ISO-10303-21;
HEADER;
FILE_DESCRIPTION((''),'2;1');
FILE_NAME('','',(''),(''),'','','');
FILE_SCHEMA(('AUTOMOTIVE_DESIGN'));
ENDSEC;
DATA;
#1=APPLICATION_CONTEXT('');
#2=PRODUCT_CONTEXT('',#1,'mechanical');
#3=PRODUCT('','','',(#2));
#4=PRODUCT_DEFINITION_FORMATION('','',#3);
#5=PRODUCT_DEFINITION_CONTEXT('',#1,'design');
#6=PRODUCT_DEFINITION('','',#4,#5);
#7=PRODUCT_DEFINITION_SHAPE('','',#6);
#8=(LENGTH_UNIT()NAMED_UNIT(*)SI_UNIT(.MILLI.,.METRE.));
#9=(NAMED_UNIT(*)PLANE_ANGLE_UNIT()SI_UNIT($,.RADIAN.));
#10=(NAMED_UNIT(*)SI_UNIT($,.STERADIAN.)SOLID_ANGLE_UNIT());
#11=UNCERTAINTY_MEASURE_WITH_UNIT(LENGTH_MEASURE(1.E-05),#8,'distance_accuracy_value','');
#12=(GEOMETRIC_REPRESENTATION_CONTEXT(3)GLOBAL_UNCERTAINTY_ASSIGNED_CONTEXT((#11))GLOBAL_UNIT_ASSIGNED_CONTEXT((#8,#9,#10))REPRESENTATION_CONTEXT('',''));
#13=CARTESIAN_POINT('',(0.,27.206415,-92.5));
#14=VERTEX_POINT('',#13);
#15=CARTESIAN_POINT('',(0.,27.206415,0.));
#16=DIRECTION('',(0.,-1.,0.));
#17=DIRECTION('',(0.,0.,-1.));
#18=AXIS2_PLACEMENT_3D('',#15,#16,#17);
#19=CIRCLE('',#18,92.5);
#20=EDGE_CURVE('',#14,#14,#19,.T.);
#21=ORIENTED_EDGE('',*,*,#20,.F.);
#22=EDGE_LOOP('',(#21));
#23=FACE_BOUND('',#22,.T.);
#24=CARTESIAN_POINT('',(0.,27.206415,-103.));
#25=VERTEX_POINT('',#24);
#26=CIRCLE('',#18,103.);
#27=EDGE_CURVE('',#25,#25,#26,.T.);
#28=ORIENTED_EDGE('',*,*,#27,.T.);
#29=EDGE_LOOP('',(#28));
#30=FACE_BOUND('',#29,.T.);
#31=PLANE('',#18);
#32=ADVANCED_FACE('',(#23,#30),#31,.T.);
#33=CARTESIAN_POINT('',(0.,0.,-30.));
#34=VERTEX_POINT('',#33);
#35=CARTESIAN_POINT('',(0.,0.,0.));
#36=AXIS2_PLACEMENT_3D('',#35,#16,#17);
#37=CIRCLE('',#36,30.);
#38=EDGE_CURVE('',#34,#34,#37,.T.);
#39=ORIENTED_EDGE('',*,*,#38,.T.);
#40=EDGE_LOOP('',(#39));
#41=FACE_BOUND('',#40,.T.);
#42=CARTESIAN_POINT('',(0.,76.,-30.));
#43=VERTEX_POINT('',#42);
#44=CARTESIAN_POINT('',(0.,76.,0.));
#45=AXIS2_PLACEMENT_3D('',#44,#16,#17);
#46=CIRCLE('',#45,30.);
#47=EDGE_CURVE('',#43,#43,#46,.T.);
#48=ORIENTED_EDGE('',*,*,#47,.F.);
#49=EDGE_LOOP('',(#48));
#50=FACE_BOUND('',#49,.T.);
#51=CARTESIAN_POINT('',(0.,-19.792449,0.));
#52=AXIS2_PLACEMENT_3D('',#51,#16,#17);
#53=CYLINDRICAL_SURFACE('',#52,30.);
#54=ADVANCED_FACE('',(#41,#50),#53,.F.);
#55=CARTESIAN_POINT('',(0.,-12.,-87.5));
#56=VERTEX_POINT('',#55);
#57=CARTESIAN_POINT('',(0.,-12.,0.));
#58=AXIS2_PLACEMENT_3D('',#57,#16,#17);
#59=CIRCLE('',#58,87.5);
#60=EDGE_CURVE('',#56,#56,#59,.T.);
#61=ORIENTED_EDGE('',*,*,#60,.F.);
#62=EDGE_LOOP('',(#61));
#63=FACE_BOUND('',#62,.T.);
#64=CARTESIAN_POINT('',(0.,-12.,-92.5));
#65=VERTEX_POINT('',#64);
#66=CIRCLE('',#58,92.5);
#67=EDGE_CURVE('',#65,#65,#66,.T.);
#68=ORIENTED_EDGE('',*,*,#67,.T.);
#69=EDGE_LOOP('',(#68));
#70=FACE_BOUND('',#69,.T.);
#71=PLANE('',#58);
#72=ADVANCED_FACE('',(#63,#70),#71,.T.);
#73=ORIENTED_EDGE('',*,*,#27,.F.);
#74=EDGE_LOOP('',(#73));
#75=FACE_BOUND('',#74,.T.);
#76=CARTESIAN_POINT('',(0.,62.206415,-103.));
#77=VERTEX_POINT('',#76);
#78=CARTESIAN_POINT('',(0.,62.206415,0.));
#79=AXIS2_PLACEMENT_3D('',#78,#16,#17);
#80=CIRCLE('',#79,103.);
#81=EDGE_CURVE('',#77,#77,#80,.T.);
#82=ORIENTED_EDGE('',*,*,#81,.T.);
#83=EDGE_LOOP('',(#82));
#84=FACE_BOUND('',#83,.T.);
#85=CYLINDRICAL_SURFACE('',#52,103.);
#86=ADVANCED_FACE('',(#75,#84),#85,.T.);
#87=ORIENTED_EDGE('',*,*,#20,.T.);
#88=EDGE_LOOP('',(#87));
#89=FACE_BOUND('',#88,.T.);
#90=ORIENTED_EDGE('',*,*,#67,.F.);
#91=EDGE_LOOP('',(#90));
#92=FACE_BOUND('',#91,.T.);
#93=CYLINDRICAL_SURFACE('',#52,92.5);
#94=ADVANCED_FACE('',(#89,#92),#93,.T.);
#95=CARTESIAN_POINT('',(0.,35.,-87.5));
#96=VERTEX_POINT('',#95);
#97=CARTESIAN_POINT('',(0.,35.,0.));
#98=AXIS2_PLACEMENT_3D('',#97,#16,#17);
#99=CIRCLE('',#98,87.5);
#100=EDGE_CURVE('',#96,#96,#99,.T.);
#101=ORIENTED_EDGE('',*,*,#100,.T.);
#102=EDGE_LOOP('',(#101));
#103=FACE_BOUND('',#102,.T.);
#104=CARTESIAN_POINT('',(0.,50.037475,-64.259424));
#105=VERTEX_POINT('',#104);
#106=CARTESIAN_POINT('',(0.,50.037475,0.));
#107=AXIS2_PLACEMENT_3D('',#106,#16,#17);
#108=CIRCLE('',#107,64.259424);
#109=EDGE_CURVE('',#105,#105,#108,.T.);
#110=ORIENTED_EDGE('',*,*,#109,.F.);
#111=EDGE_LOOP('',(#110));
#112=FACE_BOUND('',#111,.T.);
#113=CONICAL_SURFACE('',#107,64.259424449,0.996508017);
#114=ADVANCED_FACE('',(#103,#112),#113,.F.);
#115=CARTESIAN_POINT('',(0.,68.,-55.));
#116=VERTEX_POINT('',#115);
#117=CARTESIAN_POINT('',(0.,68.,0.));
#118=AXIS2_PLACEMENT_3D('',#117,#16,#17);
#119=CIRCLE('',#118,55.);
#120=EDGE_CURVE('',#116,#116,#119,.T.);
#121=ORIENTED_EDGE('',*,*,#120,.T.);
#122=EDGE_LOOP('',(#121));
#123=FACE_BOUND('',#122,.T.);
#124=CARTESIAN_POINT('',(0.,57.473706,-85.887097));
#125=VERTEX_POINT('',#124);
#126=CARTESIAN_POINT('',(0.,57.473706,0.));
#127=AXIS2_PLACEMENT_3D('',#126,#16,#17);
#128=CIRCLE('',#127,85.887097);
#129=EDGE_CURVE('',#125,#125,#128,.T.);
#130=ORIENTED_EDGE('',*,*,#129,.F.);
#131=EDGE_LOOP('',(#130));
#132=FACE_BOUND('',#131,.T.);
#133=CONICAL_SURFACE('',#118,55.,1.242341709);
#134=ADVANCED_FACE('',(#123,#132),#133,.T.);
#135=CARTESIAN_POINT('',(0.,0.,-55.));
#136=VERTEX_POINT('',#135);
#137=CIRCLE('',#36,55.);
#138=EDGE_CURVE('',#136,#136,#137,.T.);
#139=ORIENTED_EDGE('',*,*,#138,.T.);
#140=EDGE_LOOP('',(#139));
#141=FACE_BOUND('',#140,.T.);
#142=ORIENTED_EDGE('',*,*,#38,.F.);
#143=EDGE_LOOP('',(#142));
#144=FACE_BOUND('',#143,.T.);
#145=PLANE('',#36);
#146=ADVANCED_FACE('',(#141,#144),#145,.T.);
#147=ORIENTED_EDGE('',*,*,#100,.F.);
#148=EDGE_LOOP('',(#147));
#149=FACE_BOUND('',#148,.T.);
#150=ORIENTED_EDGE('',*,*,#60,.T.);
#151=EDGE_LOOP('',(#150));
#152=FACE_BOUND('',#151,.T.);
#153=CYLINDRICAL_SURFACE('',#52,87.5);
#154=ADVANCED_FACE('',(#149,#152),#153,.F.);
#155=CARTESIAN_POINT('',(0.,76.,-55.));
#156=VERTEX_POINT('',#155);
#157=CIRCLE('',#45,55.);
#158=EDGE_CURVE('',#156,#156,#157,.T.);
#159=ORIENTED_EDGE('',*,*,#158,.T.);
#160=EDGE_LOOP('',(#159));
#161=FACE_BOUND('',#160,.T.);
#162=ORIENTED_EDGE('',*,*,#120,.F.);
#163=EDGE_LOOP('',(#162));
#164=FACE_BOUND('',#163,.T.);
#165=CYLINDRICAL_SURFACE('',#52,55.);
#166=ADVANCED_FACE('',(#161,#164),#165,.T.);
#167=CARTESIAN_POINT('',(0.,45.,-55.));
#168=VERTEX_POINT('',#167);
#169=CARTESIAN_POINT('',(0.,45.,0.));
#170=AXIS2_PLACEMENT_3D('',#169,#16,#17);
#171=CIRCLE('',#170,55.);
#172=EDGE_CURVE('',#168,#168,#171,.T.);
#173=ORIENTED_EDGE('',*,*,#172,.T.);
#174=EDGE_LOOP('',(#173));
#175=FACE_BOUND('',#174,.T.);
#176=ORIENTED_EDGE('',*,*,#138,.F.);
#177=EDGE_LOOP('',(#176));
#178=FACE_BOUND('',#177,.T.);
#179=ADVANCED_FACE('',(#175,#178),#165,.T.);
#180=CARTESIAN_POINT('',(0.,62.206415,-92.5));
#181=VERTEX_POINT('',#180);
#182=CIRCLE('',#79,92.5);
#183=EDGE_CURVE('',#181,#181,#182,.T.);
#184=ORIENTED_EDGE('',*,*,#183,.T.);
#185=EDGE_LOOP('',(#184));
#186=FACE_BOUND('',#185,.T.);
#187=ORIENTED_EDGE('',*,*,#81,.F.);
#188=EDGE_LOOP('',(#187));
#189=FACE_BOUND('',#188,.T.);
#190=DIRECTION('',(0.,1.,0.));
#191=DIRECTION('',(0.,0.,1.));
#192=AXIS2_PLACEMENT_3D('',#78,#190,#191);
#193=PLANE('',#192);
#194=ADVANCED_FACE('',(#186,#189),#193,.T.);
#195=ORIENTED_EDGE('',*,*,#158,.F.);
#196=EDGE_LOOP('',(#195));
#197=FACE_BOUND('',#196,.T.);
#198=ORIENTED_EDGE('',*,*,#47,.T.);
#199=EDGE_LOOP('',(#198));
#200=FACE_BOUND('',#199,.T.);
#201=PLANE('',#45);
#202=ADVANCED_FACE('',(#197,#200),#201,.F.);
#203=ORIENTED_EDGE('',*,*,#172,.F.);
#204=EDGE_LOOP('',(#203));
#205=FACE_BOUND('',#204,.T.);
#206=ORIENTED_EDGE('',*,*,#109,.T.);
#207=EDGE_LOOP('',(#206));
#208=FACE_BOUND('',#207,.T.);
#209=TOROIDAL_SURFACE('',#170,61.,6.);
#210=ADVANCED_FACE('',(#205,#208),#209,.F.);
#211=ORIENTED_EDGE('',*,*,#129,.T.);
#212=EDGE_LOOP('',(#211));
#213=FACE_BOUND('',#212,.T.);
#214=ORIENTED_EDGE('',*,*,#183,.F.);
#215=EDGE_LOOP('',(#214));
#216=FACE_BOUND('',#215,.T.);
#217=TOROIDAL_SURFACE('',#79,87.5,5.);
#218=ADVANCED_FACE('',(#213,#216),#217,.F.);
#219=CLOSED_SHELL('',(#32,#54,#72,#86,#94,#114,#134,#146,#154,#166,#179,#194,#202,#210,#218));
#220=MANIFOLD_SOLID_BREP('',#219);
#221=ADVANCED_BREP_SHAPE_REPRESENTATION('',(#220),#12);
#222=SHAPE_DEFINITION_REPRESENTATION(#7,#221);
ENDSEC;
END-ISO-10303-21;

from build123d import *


with BuildPart() as part:
    # Sketch1 → Revolve1 (revolve)
    with BuildSketch(Plane.XY):
        with BuildLine():
            Line((30, 76), (30, 0))
            Line((30, 0), (55, 0))
            Line((55, 0), (55, 45))
            ThreePointArc((55, 45), (58.132644659, 50.270509781), (64.259424449, 50.03747479))
            Line((64.259424449, 50.03747479), (87.5, 35))
            Line((87.5, 35), (87.5, -12))
            Line((87.5, -12), (92.5, -12))
            Line((92.5, -12), (92.5, 27.206415499))
            Line((92.5, 27.206415499), (103, 27.206415499))
            Line((103, 27.206415499), (103, 62.206415499))
            Line((103, 62.206415499), (92.5, 62.206415499))
            ThreePointArc((92.5, 62.206415499), (90.409938476, 58.140427542), (85.887096774, 57.473705579))
            Line((85.887096774, 57.473705579), (55, 68))
            Line((55, 68), (55, 76))
            Line((55, 76), (30, 76))
        make_face()
    revolve(axis=Axis((0, -19.792449206, 0), (0, 1, 0)))


solid = part.part
